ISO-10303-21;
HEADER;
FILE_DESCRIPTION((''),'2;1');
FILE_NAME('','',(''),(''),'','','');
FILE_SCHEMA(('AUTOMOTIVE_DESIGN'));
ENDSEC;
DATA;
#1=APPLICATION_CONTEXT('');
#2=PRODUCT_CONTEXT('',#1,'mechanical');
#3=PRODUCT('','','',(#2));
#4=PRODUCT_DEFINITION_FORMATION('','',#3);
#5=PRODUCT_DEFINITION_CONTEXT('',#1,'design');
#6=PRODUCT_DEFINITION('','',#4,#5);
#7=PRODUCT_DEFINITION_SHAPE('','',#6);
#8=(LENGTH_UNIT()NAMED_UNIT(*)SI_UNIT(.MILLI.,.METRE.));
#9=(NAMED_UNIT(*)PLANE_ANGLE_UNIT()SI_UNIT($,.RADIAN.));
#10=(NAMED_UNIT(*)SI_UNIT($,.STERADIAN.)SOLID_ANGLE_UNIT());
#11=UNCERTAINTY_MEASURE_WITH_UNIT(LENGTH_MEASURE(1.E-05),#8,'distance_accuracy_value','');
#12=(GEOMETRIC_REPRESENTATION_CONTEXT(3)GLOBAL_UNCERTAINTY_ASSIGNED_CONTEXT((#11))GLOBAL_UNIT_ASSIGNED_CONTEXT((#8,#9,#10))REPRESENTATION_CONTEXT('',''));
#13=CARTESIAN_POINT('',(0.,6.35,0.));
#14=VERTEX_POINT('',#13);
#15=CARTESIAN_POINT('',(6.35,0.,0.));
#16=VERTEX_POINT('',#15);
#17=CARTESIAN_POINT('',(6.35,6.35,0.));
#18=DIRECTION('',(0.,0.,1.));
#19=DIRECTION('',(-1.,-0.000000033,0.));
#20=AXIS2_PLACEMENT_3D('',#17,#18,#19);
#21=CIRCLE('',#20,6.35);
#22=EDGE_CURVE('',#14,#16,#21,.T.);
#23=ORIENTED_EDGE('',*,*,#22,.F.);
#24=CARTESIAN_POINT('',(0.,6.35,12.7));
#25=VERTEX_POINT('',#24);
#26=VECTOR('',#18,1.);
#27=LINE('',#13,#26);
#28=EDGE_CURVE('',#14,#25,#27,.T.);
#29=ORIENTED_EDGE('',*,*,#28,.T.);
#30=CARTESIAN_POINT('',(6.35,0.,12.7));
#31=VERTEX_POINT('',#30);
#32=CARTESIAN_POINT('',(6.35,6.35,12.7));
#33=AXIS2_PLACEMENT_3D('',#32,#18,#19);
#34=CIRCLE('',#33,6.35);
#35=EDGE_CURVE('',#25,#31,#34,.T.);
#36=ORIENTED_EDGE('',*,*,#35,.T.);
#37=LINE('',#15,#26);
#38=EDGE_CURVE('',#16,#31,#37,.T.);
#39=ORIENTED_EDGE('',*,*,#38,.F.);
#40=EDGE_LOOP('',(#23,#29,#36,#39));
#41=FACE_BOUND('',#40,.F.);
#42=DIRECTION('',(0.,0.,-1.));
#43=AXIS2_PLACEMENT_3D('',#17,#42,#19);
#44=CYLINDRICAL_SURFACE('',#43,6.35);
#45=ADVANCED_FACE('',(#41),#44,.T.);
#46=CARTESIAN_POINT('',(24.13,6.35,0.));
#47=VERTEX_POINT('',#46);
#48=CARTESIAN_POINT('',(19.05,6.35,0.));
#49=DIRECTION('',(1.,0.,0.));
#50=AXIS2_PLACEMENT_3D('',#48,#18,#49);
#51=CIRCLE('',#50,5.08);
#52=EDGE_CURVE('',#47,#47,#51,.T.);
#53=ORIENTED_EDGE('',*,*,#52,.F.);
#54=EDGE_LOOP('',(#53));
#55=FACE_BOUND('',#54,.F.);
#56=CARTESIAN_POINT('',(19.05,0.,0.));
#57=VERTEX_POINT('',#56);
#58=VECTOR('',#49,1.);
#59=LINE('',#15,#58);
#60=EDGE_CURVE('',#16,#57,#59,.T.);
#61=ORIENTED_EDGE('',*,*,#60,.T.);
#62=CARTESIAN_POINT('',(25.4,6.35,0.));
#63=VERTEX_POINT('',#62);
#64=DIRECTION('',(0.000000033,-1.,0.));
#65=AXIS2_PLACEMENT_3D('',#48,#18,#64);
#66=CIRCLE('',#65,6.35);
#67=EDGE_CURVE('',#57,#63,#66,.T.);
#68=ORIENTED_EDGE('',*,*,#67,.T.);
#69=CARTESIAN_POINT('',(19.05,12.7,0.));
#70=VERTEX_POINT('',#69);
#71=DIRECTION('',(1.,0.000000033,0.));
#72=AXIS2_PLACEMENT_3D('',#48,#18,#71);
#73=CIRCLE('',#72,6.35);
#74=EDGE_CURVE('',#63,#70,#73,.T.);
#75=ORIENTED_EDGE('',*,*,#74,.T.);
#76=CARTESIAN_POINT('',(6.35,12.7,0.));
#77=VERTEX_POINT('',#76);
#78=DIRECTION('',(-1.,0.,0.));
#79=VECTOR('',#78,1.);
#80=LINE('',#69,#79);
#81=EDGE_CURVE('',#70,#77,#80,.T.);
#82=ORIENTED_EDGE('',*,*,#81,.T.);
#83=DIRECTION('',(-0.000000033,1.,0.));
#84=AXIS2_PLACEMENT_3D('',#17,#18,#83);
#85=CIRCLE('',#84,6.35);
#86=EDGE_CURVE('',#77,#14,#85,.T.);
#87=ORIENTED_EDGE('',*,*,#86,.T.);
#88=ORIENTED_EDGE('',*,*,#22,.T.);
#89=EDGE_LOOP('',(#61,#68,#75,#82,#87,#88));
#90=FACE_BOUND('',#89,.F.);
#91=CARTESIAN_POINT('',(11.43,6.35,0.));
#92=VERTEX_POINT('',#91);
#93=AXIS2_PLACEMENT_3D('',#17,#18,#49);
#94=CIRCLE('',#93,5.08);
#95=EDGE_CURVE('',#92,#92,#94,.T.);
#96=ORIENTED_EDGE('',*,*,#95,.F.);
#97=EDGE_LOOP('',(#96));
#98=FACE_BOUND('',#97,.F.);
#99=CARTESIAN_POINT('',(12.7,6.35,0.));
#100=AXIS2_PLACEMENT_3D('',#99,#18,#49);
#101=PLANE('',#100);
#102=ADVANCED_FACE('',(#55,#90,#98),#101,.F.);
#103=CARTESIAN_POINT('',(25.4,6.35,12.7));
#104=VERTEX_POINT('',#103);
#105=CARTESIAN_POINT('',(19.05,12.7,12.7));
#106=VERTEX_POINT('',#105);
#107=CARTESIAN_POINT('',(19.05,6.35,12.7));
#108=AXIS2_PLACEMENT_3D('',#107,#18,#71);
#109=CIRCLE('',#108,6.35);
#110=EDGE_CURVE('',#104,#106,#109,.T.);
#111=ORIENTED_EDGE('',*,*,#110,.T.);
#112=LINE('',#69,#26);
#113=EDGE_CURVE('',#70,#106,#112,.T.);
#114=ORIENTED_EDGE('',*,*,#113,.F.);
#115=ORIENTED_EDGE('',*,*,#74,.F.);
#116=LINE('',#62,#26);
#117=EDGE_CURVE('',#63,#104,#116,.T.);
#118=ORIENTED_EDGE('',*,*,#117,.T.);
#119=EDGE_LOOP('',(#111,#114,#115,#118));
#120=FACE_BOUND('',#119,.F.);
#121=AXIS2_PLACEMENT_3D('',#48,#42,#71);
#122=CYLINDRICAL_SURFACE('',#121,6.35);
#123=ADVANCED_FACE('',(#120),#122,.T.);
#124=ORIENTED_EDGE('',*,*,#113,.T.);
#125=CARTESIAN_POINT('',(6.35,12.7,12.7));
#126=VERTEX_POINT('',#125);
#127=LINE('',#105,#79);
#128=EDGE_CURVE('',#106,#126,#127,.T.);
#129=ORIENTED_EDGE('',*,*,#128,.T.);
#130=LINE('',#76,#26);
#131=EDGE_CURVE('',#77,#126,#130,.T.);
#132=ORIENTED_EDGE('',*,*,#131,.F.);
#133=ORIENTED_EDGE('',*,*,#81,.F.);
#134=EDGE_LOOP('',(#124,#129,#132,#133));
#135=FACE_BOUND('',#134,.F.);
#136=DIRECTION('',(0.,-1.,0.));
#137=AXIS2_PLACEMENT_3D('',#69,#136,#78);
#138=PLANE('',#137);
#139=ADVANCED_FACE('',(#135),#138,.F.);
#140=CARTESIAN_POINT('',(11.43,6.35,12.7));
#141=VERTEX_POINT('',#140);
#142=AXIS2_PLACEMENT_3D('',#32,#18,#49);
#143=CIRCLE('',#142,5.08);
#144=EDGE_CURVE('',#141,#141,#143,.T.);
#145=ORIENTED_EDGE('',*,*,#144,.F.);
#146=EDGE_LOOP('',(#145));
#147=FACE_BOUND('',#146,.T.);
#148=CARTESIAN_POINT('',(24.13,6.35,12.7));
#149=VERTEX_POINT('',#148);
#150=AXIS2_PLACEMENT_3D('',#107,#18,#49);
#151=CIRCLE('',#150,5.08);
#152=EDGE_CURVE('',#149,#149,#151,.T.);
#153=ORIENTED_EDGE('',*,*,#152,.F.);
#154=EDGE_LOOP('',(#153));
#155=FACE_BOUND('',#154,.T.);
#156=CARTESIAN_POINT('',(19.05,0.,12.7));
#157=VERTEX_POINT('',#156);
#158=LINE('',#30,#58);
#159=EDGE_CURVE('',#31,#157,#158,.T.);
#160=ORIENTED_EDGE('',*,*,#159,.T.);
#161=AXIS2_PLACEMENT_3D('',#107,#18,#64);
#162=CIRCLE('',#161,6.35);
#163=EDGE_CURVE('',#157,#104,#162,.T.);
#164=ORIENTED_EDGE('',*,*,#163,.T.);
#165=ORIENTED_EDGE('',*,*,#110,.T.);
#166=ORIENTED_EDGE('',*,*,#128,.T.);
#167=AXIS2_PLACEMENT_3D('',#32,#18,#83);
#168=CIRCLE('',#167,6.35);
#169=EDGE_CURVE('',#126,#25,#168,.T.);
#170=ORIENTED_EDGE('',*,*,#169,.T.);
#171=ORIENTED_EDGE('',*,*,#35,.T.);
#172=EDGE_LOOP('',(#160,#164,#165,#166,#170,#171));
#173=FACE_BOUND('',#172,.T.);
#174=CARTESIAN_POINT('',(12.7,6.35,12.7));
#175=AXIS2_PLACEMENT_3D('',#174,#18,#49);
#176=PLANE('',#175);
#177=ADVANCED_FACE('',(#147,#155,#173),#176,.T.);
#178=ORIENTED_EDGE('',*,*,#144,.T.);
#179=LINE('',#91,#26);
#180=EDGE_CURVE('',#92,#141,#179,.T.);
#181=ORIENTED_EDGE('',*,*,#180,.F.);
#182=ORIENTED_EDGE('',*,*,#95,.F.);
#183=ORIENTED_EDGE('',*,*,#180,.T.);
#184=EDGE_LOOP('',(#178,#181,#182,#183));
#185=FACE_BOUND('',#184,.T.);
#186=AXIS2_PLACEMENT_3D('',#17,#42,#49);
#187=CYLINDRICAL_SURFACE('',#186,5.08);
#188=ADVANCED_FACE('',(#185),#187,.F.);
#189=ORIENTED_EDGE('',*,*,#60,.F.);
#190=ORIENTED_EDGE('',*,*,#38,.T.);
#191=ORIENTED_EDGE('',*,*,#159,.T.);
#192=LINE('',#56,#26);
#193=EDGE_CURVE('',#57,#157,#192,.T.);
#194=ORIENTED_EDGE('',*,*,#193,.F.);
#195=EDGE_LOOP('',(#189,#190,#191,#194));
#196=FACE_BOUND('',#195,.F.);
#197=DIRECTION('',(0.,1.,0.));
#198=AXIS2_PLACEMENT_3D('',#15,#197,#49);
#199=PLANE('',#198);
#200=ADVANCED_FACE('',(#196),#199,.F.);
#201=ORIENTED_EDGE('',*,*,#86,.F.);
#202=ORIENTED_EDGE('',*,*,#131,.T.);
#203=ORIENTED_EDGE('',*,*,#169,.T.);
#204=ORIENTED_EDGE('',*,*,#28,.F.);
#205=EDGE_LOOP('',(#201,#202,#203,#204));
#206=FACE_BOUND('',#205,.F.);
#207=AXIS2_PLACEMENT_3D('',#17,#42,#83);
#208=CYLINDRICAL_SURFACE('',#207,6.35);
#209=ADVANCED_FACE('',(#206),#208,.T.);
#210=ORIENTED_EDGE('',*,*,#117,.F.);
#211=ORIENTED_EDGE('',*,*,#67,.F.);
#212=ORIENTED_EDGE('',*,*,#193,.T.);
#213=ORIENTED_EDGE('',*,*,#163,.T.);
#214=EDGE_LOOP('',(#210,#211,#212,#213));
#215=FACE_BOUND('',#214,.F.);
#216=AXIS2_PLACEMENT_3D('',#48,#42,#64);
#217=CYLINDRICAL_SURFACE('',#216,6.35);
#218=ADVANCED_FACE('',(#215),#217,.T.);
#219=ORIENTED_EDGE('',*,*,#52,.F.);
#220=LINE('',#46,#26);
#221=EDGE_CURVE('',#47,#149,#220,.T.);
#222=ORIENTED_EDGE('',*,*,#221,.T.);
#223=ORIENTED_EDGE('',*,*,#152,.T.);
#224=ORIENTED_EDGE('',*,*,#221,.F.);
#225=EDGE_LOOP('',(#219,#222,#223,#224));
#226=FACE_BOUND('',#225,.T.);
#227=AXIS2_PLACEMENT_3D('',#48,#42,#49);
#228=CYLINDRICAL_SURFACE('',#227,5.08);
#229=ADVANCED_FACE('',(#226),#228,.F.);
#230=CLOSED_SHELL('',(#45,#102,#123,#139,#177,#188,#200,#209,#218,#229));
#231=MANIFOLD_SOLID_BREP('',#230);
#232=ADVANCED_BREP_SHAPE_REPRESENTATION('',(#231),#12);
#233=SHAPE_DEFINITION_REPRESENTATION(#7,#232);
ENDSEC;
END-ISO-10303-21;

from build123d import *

# Parameters (mm, degrees)
F0_R     = 5.08
F1_DEPTH = 12.7


with BuildPart() as f1:
    # F0 (on Top) → F1 (new body)
    with BuildSketch(Plane.XY):
        with BuildLine():
            ThreePointArc((0, 6.35), (1.859872, 1.859872), (6.35, 0))
            Line((6.35, 0), (19.05, 0))
            ThreePointArc((19.05, 0), (23.540128, 1.859872), (25.4, 6.35))
            ThreePointArc((25.4, 6.35), (23.540128, 10.840128), (19.05, 12.7))
            Line((19.05, 12.7), (12.7, 12.7))
            Line((12.7, 12.7), (6.35, 12.7))
            ThreePointArc((6.35, 12.7), (1.859872, 10.840128), (0, 6.35))
        make_face()
        with Locations((6.35, 6.35)):
            Circle(F0_R, mode=Mode.SUBTRACT)
        with Locations((19.05, 6.35)):
            Circle(F0_R, mode=Mode.SUBTRACT)
    extrude(amount=F1_DEPTH)


solid = f1.part
